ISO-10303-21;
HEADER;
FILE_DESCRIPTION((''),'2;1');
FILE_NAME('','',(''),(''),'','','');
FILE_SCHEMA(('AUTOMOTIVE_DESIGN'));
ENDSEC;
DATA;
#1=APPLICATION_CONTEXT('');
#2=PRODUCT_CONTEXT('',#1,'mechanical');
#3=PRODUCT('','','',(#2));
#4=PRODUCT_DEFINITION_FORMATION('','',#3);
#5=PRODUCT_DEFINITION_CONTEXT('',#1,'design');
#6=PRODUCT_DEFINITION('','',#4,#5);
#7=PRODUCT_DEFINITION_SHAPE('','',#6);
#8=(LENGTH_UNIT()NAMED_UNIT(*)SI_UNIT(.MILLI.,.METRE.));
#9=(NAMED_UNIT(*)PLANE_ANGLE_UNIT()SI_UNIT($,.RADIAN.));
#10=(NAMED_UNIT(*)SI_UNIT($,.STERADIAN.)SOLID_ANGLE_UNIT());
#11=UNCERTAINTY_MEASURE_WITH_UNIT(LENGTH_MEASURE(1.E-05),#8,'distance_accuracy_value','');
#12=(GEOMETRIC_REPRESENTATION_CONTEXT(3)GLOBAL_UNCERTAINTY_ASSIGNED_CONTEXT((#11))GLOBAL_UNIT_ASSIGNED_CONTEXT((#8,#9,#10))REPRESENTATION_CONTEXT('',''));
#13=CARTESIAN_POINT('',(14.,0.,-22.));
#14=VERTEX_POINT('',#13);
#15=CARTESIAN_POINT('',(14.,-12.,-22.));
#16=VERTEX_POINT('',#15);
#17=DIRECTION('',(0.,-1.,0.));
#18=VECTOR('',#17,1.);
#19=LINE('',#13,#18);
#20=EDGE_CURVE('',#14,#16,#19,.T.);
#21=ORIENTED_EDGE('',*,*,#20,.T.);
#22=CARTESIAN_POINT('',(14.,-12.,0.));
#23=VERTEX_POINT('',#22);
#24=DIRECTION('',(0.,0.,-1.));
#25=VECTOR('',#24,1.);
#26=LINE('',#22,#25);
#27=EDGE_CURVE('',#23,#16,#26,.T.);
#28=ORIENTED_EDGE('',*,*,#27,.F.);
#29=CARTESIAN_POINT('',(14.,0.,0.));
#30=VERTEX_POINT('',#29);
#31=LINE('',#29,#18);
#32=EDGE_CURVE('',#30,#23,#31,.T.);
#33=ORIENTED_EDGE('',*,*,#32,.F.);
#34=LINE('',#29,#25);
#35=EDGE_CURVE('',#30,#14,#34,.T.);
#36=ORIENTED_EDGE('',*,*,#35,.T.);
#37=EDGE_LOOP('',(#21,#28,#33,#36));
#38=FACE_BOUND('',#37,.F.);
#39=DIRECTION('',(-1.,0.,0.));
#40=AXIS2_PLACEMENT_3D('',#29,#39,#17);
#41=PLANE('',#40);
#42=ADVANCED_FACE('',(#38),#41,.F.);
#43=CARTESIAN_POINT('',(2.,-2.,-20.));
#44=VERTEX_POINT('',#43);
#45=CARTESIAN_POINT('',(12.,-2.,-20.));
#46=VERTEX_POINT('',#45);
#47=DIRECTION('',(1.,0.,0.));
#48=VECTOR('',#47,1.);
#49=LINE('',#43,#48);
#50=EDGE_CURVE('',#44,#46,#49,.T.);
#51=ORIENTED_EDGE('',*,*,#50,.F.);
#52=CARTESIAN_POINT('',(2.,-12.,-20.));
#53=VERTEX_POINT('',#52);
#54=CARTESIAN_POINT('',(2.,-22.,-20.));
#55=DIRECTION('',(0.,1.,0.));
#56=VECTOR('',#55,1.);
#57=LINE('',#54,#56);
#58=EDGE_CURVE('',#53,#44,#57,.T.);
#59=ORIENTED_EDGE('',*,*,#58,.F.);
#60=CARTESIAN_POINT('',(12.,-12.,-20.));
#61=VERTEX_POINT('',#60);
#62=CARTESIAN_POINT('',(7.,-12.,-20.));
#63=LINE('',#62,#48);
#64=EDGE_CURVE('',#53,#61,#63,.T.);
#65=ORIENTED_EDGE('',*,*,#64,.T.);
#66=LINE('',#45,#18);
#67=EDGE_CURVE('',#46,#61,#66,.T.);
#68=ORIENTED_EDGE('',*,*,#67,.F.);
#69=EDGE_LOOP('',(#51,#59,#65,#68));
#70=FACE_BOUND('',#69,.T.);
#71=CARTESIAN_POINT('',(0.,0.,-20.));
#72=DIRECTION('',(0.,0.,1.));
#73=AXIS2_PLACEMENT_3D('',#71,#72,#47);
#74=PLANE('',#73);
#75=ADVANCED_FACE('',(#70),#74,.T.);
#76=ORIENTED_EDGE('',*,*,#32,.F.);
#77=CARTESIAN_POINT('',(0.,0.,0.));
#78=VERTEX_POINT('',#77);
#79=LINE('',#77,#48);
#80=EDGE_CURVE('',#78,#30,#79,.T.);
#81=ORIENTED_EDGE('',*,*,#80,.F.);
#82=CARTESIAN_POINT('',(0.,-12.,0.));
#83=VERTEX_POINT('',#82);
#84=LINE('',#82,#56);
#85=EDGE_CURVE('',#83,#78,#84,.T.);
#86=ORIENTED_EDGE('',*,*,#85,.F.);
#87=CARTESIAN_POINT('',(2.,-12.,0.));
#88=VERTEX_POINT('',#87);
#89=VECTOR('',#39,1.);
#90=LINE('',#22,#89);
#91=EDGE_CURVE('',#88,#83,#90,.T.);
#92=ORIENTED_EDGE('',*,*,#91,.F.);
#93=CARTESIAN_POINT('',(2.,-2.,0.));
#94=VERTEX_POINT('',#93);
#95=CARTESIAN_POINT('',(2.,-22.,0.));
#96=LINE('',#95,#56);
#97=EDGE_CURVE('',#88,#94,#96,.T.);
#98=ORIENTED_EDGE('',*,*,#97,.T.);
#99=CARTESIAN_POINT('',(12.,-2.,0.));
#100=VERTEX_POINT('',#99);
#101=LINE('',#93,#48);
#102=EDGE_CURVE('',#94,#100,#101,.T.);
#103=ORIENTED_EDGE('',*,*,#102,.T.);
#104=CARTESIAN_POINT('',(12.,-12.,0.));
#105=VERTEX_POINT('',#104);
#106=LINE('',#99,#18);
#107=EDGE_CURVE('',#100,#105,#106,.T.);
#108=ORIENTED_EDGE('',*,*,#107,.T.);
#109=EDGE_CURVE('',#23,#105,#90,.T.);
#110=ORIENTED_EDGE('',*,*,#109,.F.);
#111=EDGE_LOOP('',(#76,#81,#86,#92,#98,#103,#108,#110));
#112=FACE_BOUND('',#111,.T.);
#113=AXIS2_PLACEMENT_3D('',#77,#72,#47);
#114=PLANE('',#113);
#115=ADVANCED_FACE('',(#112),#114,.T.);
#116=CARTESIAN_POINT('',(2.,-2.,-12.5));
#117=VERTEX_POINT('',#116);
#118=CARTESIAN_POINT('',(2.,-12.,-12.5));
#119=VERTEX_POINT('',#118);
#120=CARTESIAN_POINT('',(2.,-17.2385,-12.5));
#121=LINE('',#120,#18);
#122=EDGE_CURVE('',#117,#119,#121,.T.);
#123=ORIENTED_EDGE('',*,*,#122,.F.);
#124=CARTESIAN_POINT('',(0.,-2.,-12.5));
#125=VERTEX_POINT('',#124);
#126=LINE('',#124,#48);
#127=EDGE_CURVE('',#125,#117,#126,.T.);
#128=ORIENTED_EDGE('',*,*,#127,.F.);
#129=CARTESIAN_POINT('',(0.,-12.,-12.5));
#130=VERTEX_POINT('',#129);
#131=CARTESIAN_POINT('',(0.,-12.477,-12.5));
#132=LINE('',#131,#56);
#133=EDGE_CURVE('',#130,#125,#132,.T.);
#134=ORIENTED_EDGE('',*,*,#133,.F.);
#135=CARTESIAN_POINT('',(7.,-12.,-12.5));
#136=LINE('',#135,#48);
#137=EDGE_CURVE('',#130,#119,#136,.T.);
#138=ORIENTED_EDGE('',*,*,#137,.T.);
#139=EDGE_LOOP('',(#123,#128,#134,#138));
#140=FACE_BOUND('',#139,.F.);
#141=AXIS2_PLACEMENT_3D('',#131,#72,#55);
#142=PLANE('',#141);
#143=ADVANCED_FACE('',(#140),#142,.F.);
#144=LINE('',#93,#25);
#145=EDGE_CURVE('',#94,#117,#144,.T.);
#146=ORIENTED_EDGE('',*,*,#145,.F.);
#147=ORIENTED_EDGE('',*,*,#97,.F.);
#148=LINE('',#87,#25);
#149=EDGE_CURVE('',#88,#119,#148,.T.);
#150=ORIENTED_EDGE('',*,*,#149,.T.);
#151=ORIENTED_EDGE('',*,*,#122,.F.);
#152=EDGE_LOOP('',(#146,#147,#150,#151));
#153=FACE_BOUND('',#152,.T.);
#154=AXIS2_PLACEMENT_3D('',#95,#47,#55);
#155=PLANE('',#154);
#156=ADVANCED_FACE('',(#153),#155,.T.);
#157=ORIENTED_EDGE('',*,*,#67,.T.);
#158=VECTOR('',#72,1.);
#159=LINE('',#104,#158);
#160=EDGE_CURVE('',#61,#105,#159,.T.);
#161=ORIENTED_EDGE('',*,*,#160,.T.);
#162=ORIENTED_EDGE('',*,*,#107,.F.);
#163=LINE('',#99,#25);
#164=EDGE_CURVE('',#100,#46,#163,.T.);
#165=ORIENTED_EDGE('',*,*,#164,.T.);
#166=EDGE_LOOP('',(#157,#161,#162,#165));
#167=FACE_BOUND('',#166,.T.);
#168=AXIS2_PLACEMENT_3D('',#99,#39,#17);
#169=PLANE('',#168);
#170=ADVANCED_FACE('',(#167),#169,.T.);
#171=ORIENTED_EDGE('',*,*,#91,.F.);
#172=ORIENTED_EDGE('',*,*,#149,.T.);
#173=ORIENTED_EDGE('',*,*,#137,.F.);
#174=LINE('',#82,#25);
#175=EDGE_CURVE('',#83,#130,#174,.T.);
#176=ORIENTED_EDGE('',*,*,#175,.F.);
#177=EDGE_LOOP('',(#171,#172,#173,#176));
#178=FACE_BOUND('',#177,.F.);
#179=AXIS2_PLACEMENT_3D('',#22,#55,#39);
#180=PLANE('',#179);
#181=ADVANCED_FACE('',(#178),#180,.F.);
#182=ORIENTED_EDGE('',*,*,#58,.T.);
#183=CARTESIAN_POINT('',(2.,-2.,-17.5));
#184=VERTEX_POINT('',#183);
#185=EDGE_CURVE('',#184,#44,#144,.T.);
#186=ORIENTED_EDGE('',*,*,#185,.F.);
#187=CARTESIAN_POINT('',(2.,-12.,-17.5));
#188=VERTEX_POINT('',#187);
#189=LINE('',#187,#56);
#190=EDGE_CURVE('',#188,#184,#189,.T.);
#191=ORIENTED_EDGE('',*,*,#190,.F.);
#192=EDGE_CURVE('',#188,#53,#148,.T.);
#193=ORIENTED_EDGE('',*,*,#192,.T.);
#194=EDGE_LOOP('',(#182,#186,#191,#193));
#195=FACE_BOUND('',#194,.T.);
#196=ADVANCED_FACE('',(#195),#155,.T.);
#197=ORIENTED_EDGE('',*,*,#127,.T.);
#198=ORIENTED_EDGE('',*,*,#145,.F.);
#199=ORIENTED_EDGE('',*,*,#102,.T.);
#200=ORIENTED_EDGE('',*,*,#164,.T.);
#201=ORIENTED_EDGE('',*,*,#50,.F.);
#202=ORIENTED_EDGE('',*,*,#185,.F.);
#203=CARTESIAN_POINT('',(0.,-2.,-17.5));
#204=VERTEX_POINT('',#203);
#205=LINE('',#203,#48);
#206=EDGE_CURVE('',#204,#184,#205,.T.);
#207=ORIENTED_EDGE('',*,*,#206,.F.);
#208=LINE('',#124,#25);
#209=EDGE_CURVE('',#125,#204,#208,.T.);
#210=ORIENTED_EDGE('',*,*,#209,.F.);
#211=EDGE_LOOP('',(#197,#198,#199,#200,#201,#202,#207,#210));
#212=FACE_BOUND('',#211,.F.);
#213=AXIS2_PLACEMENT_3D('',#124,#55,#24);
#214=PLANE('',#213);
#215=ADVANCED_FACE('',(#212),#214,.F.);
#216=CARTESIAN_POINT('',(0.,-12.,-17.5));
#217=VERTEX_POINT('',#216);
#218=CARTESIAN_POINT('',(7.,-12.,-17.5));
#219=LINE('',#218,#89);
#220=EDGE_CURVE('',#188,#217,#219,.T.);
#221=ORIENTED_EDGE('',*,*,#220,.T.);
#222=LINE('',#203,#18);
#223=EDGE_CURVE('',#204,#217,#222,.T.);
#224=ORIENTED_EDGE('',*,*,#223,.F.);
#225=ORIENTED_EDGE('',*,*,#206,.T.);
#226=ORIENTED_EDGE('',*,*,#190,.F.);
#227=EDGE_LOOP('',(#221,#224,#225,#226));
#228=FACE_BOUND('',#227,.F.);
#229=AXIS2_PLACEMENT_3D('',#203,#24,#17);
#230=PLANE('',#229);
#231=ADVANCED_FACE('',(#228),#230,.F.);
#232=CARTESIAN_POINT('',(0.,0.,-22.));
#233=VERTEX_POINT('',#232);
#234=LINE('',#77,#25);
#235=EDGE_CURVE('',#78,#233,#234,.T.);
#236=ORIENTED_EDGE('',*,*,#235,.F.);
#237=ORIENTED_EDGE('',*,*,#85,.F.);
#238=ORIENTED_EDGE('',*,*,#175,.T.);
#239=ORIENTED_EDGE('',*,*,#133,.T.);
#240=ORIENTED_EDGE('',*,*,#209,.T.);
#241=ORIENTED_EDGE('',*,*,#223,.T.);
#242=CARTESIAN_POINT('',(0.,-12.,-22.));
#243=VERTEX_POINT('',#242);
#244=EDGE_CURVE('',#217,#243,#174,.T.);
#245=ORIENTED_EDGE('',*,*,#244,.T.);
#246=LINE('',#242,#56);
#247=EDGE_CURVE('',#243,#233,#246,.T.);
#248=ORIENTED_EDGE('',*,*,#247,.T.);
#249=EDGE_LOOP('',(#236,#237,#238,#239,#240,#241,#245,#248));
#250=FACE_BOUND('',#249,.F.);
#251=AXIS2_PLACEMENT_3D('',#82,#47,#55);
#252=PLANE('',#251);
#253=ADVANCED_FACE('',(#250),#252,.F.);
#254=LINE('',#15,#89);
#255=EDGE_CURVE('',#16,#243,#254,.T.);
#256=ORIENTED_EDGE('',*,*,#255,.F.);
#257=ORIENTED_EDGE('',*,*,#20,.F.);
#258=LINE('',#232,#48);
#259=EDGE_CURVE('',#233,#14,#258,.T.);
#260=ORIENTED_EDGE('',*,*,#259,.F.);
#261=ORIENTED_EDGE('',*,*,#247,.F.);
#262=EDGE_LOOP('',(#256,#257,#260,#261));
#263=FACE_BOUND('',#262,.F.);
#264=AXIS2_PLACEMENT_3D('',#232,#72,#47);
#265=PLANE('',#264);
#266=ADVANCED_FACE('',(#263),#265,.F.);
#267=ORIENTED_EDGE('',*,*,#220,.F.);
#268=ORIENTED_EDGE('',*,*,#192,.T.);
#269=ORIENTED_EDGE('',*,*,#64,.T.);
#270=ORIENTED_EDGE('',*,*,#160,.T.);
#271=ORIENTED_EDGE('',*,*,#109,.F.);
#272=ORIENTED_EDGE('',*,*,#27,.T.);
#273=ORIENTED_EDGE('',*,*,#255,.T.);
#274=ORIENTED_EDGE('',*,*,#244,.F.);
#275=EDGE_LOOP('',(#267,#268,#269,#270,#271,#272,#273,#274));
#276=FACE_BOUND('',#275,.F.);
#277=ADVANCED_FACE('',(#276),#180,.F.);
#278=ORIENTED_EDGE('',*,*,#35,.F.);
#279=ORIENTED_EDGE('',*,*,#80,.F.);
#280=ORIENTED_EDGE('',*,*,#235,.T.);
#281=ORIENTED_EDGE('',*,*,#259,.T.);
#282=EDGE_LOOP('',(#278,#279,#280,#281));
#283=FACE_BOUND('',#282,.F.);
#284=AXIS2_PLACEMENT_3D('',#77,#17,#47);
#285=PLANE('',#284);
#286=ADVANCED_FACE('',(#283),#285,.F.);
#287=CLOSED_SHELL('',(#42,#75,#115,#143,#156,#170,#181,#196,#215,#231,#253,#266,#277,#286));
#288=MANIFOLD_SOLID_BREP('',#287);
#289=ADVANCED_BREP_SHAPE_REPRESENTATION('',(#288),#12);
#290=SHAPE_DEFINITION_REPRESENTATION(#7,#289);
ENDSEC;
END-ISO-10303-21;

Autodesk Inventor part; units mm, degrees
ref_plane "YZ Plane" through (0, 0, 0) normal (1, 0, 0) x (0, 1, 0)
ref_plane "XZ Plane" through (0, 0, 0) normal (0, 1, 0) x (-1, 0, 0)
ref_plane "XY Plane" through (0, 0, 0) normal (0, 0, 1) x (1, 0, 0)
sketch "Sketch1" plane through (0, 0, 0) normal (0, 0, 1) x (1, 0, 0)
  line L0 (0, 0) -> (14, 0)
  line L1 (14, 0) -> (14, -12)
  line L2 (14, -12) -> (0, -12)
  line L3 (0, -12) -> (0, 0)
  dimension "d0" = 14
  dimension "d1" = 12
extrude "Extrusion1" add sketch "Sketch1" against normal blind 22
sketch "Sketch2" plane through (0, 0, 0) normal (0, 0, 1) x (1, 0, 0)
  line L0 (2, -2) -> (12, -2)
  line L1 (12, -2) -> (12, -22)
  line L2 (12, -22) -> (2, -22)
  line L3 (2, -22) -> (2, -2)
  point P0 (0, 0)
  dimension "d4" = 10
  dimension "d5" = 20
extrude "Extrusion2" cut sketch "Sketch2" against normal blind 20
sketch "Sketch8" plane through (0, -12, 0) normal (-1, 0, 0) x (0, 0, 1)
  point P0 (0, 12)
sketch "Sketch9" plane through (0, -12, 0) normal (-1, 0, 0) x (0, 0, 1)
  point P0 (0, 12)
sketch "Sketch11" plane through (0, -12, 0) normal (-1, 0, 0) x (0, 0, 1)
  point P0 (0, 12)
sketch "Sketch13" plane through (0, -12, 0) normal (-1, 0, 0) x (0, 0, 1)
  line L0 (-12.5, 10) -> (-17.5, 10)
  line L1 (-17.5, 10) -> (-17.5, -0.477)
  line L2 (-17.5, -0.477) -> (-12.5, -0.477)
  line L3 (-12.5, -0.477) -> (-12.5, 10)
  point P0 (0, 12)
  dimension "d27" = 5
extrude "Extrusion9" cut sketch "Sketch13" against normal blind 10
properties part number "housing_v05"
